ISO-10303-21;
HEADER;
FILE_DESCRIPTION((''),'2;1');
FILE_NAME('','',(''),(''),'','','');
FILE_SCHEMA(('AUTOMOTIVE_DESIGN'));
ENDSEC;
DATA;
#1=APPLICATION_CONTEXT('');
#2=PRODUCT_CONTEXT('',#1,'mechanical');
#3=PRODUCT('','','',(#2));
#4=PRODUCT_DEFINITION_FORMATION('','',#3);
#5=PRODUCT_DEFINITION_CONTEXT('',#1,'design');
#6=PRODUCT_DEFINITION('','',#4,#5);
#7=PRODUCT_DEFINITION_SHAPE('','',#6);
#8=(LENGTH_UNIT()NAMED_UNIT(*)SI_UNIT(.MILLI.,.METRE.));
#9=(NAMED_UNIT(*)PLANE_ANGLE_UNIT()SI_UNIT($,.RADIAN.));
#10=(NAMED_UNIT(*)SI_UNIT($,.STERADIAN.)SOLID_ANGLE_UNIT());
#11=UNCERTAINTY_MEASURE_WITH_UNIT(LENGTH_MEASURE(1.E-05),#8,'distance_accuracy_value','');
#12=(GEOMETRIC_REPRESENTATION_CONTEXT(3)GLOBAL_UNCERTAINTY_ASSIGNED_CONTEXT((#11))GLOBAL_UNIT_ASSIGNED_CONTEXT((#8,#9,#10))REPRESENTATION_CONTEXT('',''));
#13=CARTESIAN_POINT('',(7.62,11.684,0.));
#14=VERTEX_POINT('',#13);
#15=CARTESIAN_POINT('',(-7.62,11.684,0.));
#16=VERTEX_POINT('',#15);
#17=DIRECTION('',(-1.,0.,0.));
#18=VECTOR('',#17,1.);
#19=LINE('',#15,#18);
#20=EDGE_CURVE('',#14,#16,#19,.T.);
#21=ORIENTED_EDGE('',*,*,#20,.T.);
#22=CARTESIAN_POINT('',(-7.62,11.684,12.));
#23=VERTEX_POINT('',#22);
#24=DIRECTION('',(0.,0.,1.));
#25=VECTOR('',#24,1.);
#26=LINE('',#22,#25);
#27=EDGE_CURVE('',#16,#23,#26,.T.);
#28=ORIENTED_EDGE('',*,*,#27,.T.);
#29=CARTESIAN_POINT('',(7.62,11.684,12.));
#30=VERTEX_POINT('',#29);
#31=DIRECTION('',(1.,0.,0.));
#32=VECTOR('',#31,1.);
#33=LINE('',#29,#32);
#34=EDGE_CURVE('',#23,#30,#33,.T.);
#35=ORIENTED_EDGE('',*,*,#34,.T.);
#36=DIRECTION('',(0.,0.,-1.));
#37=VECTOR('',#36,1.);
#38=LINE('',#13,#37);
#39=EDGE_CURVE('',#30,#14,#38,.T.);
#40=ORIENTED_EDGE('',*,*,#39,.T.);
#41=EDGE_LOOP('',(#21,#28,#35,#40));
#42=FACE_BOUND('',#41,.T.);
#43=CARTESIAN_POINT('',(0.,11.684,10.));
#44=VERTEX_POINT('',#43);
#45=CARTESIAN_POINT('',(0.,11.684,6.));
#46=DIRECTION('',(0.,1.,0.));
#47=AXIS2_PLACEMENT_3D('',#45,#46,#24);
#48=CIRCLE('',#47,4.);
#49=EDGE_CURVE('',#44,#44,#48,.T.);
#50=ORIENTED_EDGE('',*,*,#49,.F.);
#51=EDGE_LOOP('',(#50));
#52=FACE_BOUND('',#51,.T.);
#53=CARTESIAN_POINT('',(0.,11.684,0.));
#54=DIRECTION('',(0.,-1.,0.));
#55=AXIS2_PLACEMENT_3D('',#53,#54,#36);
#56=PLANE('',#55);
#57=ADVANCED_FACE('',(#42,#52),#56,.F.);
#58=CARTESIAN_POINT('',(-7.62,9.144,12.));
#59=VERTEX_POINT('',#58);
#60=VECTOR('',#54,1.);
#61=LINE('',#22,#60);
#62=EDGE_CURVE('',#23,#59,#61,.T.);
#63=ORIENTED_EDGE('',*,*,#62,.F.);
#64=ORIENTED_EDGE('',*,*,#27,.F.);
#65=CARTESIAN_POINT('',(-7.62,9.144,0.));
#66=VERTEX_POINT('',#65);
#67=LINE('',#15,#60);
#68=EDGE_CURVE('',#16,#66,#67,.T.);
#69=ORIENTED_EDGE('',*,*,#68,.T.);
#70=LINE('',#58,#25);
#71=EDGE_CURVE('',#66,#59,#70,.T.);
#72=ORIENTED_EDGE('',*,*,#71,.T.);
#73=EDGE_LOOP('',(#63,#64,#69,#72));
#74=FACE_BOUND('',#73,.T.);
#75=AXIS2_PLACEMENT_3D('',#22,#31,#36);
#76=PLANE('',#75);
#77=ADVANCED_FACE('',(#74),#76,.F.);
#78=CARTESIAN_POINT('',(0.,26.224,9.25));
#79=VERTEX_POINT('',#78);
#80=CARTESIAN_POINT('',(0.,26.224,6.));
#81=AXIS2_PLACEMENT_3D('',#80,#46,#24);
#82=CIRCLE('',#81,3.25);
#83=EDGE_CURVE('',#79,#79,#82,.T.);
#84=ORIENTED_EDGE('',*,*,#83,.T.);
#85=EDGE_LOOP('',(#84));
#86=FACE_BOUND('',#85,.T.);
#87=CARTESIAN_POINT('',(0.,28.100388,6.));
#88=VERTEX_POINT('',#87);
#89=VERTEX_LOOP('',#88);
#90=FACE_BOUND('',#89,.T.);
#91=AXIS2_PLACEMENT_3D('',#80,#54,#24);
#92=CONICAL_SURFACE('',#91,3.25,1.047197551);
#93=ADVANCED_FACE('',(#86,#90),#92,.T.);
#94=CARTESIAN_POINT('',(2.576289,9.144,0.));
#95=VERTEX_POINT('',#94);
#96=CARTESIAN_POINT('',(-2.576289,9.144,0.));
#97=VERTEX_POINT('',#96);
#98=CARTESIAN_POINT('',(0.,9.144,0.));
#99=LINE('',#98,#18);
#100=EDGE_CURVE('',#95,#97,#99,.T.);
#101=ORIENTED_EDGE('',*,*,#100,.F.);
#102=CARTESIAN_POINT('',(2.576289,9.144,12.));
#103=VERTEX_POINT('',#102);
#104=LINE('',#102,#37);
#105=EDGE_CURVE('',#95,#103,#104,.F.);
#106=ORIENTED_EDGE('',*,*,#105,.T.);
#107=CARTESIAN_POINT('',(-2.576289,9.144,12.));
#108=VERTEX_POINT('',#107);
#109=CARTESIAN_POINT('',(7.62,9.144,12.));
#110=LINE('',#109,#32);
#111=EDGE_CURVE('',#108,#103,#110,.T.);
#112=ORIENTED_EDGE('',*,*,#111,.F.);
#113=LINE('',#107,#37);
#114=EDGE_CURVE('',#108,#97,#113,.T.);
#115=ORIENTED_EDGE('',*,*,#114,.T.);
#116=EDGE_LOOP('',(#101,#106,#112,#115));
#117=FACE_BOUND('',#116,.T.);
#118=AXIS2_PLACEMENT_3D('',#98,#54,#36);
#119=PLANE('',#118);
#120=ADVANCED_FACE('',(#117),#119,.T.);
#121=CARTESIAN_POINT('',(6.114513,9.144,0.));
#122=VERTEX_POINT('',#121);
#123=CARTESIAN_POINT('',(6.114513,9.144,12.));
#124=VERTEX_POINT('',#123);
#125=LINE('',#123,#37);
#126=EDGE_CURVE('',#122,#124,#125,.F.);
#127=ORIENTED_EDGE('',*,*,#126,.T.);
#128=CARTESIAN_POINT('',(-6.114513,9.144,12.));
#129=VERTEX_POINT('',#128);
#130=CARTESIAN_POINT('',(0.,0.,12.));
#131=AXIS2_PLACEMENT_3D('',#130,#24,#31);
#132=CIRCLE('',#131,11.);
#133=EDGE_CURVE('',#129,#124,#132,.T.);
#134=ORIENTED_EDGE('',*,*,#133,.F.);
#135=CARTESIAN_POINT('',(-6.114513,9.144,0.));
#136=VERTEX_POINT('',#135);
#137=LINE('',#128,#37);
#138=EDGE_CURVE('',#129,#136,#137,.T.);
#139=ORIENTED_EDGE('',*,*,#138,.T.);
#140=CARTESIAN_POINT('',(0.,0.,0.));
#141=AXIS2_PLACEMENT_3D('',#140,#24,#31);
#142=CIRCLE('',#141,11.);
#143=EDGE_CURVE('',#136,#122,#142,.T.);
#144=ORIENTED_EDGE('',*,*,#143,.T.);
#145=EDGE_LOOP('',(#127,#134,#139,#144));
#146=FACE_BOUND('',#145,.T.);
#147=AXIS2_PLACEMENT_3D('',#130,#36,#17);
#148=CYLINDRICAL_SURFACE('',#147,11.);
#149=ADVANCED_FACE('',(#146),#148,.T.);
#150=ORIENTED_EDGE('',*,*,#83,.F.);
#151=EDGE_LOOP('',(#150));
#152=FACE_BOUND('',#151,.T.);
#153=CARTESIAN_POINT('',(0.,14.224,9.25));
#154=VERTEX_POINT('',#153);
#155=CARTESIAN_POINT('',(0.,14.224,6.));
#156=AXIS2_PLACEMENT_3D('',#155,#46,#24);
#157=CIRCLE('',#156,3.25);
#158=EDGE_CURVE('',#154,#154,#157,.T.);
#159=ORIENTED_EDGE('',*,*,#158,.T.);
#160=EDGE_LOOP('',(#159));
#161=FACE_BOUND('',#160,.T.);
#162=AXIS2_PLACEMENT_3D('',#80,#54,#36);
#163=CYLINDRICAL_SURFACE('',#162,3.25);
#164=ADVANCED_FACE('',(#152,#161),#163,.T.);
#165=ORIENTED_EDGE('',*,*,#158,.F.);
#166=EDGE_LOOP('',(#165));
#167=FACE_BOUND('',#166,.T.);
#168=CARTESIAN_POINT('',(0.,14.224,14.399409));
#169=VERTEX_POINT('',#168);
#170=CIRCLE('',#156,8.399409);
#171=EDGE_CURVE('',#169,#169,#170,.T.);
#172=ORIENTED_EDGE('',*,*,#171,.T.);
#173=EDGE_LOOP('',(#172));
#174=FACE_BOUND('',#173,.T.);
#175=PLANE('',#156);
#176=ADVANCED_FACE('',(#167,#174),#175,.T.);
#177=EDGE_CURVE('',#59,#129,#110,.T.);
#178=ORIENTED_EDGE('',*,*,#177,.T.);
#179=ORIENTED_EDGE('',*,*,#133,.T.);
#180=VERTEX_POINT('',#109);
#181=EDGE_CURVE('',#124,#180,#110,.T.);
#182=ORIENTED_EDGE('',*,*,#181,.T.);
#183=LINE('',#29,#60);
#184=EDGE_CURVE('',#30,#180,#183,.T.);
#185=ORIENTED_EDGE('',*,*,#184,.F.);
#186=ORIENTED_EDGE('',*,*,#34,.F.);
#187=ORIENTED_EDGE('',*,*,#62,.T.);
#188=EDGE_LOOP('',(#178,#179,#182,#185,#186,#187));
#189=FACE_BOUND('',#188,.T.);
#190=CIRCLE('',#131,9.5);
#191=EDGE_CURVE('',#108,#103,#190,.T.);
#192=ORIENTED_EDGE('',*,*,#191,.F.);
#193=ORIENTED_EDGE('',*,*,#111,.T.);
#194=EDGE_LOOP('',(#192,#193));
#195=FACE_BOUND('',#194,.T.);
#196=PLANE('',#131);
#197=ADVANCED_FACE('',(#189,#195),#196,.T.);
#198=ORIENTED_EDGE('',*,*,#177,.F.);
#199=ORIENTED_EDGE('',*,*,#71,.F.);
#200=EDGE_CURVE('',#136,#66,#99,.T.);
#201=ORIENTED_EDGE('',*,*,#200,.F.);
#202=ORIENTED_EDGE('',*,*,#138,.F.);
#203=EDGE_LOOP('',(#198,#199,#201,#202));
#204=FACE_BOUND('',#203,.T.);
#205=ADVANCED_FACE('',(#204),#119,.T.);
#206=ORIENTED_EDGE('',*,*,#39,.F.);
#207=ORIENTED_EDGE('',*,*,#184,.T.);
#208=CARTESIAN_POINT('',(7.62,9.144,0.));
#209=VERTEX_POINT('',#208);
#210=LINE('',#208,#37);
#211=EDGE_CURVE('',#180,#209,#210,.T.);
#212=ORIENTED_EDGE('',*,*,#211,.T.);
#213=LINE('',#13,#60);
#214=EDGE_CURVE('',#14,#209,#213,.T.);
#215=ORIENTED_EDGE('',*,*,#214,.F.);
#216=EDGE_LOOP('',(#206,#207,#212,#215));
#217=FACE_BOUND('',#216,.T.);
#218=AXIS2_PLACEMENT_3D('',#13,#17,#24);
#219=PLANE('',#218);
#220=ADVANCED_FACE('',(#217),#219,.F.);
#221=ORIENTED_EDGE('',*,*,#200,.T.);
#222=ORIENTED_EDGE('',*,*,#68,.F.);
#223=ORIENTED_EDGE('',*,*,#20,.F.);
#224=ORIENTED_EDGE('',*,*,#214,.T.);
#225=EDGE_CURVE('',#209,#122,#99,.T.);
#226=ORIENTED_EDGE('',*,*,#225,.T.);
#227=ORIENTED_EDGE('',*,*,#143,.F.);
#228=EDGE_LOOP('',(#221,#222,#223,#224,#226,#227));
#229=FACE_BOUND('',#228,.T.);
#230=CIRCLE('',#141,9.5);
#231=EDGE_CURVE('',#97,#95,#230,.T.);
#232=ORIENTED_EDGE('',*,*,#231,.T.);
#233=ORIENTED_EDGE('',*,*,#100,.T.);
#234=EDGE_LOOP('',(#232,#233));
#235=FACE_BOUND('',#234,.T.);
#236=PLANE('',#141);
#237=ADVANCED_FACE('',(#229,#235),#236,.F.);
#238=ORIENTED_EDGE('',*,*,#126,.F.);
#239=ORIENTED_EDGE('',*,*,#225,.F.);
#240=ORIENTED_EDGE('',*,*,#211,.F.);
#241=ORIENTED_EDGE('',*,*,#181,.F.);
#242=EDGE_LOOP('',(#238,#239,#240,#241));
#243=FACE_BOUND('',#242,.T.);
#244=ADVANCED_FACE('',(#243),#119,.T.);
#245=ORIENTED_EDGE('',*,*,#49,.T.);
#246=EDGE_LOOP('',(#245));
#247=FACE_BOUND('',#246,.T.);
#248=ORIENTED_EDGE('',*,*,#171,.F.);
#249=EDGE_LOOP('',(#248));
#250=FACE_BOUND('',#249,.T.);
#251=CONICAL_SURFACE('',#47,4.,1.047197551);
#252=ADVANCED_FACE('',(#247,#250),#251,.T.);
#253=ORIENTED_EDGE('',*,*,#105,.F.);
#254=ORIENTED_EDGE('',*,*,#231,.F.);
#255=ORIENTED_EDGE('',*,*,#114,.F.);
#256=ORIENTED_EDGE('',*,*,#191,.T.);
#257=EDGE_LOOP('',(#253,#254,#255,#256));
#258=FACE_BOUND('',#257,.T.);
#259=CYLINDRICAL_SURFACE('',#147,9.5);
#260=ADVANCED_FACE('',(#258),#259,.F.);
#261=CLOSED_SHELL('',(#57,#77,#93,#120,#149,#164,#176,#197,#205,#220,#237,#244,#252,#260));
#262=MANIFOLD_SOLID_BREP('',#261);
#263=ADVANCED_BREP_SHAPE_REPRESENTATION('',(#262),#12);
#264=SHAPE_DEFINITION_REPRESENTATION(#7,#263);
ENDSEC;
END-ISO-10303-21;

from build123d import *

# Parameters (mm, degrees)
SKETCH1_R           = 11
SKETCH1_R_2         = 9.5
BOSS_EXTRUDE1_DEPTH = 12
BOSS_EXTRUDE2_DEPTH = 2.54
SKETCH3_R           = 4
BOSS_EXTRUDE3_DEPTH = 2.54
BOSS_EXTRUDE3_DRAFT = -60
SKETCH4_R           = 3.25
BOSS_EXTRUDE4_DEPTH = 12


with BuildPart() as part:
    # Sketch1 → Boss-Extrude1 (new body)
    with BuildSketch(Plane.XY):
        Circle(SKETCH1_R)
        Circle(SKETCH1_R_2, mode=Mode.SUBTRACT)
    extrude(amount=BOSS_EXTRUDE1_DEPTH)

    # Sketch2 → Boss-Extrude2 (add)
    with BuildSketch(Plane(origin=(0, 9.144, 0), x_dir=(1, 0, 0), z_dir=(0, 1, 0))):
        Polygon((0, 0), (7.62, 0), (7.62, -12), (-7.62, -12), (-7.62, 0), align=None)
    extrude(amount=BOSS_EXTRUDE2_DEPTH)


with BuildPart() as boss_extrude3_tool:
    # Sketch3 → Boss-Extrude3 (with draft: the straight prism first)
    with BuildSketch(Plane(origin=(0, 11.684, 0), x_dir=(1, 0, 0), z_dir=(0, 1, 0))):
        with Locations((0, -6)):
            Circle(SKETCH3_R)
    extrude(amount=BOSS_EXTRUDE3_DEPTH)
    # Boss-Extrude3: the draft: its side faces are tilted about the plane it starts from
    boss_extrude3_sides = [boss_extrude3_tool.faces().sort_by_distance(p)[0] for p in [
        (-4, 12.954, 6),
    ]]
    draft(boss_extrude3_sides, Plane(origin=(0, 11.684, 0), x_dir=(1, 0, 0), z_dir=(0, 1, 0)), BOSS_EXTRUDE3_DRAFT)


with BuildPart() as part_1:
    add(part.part)

    # Boss-Extrude3: add boss_extrude3_tool
    add(boss_extrude3_tool.part)

    # Sketch4 → Boss-Extrude4 (add)
    with BuildSketch(Plane(origin=(0, 14.224, 0), x_dir=(1, 0, 0), z_dir=(0, 1, 0))):
        with Locations(Location((0, -6, 0), (0, 0, 270))):
            Circle(SKETCH4_R)
    extrude(amount=BOSS_EXTRUDE4_DEPTH)

    # Boss-Extrude5 cone 1 section (through the dimple's axis) → Boss-Extrude5 (revolve)
    with BuildSketch(Plane(origin=(0, 26.224, 6), x_dir=(0, 0, -1), z_dir=(1, 0, 0))):
        Polygon((0, 0), (3.25, 0), (0, 1.876388375), align=None)
    revolve(axis=Axis((0, 26.224, 6), (0, 1, 0)))


solid = part_1.part
